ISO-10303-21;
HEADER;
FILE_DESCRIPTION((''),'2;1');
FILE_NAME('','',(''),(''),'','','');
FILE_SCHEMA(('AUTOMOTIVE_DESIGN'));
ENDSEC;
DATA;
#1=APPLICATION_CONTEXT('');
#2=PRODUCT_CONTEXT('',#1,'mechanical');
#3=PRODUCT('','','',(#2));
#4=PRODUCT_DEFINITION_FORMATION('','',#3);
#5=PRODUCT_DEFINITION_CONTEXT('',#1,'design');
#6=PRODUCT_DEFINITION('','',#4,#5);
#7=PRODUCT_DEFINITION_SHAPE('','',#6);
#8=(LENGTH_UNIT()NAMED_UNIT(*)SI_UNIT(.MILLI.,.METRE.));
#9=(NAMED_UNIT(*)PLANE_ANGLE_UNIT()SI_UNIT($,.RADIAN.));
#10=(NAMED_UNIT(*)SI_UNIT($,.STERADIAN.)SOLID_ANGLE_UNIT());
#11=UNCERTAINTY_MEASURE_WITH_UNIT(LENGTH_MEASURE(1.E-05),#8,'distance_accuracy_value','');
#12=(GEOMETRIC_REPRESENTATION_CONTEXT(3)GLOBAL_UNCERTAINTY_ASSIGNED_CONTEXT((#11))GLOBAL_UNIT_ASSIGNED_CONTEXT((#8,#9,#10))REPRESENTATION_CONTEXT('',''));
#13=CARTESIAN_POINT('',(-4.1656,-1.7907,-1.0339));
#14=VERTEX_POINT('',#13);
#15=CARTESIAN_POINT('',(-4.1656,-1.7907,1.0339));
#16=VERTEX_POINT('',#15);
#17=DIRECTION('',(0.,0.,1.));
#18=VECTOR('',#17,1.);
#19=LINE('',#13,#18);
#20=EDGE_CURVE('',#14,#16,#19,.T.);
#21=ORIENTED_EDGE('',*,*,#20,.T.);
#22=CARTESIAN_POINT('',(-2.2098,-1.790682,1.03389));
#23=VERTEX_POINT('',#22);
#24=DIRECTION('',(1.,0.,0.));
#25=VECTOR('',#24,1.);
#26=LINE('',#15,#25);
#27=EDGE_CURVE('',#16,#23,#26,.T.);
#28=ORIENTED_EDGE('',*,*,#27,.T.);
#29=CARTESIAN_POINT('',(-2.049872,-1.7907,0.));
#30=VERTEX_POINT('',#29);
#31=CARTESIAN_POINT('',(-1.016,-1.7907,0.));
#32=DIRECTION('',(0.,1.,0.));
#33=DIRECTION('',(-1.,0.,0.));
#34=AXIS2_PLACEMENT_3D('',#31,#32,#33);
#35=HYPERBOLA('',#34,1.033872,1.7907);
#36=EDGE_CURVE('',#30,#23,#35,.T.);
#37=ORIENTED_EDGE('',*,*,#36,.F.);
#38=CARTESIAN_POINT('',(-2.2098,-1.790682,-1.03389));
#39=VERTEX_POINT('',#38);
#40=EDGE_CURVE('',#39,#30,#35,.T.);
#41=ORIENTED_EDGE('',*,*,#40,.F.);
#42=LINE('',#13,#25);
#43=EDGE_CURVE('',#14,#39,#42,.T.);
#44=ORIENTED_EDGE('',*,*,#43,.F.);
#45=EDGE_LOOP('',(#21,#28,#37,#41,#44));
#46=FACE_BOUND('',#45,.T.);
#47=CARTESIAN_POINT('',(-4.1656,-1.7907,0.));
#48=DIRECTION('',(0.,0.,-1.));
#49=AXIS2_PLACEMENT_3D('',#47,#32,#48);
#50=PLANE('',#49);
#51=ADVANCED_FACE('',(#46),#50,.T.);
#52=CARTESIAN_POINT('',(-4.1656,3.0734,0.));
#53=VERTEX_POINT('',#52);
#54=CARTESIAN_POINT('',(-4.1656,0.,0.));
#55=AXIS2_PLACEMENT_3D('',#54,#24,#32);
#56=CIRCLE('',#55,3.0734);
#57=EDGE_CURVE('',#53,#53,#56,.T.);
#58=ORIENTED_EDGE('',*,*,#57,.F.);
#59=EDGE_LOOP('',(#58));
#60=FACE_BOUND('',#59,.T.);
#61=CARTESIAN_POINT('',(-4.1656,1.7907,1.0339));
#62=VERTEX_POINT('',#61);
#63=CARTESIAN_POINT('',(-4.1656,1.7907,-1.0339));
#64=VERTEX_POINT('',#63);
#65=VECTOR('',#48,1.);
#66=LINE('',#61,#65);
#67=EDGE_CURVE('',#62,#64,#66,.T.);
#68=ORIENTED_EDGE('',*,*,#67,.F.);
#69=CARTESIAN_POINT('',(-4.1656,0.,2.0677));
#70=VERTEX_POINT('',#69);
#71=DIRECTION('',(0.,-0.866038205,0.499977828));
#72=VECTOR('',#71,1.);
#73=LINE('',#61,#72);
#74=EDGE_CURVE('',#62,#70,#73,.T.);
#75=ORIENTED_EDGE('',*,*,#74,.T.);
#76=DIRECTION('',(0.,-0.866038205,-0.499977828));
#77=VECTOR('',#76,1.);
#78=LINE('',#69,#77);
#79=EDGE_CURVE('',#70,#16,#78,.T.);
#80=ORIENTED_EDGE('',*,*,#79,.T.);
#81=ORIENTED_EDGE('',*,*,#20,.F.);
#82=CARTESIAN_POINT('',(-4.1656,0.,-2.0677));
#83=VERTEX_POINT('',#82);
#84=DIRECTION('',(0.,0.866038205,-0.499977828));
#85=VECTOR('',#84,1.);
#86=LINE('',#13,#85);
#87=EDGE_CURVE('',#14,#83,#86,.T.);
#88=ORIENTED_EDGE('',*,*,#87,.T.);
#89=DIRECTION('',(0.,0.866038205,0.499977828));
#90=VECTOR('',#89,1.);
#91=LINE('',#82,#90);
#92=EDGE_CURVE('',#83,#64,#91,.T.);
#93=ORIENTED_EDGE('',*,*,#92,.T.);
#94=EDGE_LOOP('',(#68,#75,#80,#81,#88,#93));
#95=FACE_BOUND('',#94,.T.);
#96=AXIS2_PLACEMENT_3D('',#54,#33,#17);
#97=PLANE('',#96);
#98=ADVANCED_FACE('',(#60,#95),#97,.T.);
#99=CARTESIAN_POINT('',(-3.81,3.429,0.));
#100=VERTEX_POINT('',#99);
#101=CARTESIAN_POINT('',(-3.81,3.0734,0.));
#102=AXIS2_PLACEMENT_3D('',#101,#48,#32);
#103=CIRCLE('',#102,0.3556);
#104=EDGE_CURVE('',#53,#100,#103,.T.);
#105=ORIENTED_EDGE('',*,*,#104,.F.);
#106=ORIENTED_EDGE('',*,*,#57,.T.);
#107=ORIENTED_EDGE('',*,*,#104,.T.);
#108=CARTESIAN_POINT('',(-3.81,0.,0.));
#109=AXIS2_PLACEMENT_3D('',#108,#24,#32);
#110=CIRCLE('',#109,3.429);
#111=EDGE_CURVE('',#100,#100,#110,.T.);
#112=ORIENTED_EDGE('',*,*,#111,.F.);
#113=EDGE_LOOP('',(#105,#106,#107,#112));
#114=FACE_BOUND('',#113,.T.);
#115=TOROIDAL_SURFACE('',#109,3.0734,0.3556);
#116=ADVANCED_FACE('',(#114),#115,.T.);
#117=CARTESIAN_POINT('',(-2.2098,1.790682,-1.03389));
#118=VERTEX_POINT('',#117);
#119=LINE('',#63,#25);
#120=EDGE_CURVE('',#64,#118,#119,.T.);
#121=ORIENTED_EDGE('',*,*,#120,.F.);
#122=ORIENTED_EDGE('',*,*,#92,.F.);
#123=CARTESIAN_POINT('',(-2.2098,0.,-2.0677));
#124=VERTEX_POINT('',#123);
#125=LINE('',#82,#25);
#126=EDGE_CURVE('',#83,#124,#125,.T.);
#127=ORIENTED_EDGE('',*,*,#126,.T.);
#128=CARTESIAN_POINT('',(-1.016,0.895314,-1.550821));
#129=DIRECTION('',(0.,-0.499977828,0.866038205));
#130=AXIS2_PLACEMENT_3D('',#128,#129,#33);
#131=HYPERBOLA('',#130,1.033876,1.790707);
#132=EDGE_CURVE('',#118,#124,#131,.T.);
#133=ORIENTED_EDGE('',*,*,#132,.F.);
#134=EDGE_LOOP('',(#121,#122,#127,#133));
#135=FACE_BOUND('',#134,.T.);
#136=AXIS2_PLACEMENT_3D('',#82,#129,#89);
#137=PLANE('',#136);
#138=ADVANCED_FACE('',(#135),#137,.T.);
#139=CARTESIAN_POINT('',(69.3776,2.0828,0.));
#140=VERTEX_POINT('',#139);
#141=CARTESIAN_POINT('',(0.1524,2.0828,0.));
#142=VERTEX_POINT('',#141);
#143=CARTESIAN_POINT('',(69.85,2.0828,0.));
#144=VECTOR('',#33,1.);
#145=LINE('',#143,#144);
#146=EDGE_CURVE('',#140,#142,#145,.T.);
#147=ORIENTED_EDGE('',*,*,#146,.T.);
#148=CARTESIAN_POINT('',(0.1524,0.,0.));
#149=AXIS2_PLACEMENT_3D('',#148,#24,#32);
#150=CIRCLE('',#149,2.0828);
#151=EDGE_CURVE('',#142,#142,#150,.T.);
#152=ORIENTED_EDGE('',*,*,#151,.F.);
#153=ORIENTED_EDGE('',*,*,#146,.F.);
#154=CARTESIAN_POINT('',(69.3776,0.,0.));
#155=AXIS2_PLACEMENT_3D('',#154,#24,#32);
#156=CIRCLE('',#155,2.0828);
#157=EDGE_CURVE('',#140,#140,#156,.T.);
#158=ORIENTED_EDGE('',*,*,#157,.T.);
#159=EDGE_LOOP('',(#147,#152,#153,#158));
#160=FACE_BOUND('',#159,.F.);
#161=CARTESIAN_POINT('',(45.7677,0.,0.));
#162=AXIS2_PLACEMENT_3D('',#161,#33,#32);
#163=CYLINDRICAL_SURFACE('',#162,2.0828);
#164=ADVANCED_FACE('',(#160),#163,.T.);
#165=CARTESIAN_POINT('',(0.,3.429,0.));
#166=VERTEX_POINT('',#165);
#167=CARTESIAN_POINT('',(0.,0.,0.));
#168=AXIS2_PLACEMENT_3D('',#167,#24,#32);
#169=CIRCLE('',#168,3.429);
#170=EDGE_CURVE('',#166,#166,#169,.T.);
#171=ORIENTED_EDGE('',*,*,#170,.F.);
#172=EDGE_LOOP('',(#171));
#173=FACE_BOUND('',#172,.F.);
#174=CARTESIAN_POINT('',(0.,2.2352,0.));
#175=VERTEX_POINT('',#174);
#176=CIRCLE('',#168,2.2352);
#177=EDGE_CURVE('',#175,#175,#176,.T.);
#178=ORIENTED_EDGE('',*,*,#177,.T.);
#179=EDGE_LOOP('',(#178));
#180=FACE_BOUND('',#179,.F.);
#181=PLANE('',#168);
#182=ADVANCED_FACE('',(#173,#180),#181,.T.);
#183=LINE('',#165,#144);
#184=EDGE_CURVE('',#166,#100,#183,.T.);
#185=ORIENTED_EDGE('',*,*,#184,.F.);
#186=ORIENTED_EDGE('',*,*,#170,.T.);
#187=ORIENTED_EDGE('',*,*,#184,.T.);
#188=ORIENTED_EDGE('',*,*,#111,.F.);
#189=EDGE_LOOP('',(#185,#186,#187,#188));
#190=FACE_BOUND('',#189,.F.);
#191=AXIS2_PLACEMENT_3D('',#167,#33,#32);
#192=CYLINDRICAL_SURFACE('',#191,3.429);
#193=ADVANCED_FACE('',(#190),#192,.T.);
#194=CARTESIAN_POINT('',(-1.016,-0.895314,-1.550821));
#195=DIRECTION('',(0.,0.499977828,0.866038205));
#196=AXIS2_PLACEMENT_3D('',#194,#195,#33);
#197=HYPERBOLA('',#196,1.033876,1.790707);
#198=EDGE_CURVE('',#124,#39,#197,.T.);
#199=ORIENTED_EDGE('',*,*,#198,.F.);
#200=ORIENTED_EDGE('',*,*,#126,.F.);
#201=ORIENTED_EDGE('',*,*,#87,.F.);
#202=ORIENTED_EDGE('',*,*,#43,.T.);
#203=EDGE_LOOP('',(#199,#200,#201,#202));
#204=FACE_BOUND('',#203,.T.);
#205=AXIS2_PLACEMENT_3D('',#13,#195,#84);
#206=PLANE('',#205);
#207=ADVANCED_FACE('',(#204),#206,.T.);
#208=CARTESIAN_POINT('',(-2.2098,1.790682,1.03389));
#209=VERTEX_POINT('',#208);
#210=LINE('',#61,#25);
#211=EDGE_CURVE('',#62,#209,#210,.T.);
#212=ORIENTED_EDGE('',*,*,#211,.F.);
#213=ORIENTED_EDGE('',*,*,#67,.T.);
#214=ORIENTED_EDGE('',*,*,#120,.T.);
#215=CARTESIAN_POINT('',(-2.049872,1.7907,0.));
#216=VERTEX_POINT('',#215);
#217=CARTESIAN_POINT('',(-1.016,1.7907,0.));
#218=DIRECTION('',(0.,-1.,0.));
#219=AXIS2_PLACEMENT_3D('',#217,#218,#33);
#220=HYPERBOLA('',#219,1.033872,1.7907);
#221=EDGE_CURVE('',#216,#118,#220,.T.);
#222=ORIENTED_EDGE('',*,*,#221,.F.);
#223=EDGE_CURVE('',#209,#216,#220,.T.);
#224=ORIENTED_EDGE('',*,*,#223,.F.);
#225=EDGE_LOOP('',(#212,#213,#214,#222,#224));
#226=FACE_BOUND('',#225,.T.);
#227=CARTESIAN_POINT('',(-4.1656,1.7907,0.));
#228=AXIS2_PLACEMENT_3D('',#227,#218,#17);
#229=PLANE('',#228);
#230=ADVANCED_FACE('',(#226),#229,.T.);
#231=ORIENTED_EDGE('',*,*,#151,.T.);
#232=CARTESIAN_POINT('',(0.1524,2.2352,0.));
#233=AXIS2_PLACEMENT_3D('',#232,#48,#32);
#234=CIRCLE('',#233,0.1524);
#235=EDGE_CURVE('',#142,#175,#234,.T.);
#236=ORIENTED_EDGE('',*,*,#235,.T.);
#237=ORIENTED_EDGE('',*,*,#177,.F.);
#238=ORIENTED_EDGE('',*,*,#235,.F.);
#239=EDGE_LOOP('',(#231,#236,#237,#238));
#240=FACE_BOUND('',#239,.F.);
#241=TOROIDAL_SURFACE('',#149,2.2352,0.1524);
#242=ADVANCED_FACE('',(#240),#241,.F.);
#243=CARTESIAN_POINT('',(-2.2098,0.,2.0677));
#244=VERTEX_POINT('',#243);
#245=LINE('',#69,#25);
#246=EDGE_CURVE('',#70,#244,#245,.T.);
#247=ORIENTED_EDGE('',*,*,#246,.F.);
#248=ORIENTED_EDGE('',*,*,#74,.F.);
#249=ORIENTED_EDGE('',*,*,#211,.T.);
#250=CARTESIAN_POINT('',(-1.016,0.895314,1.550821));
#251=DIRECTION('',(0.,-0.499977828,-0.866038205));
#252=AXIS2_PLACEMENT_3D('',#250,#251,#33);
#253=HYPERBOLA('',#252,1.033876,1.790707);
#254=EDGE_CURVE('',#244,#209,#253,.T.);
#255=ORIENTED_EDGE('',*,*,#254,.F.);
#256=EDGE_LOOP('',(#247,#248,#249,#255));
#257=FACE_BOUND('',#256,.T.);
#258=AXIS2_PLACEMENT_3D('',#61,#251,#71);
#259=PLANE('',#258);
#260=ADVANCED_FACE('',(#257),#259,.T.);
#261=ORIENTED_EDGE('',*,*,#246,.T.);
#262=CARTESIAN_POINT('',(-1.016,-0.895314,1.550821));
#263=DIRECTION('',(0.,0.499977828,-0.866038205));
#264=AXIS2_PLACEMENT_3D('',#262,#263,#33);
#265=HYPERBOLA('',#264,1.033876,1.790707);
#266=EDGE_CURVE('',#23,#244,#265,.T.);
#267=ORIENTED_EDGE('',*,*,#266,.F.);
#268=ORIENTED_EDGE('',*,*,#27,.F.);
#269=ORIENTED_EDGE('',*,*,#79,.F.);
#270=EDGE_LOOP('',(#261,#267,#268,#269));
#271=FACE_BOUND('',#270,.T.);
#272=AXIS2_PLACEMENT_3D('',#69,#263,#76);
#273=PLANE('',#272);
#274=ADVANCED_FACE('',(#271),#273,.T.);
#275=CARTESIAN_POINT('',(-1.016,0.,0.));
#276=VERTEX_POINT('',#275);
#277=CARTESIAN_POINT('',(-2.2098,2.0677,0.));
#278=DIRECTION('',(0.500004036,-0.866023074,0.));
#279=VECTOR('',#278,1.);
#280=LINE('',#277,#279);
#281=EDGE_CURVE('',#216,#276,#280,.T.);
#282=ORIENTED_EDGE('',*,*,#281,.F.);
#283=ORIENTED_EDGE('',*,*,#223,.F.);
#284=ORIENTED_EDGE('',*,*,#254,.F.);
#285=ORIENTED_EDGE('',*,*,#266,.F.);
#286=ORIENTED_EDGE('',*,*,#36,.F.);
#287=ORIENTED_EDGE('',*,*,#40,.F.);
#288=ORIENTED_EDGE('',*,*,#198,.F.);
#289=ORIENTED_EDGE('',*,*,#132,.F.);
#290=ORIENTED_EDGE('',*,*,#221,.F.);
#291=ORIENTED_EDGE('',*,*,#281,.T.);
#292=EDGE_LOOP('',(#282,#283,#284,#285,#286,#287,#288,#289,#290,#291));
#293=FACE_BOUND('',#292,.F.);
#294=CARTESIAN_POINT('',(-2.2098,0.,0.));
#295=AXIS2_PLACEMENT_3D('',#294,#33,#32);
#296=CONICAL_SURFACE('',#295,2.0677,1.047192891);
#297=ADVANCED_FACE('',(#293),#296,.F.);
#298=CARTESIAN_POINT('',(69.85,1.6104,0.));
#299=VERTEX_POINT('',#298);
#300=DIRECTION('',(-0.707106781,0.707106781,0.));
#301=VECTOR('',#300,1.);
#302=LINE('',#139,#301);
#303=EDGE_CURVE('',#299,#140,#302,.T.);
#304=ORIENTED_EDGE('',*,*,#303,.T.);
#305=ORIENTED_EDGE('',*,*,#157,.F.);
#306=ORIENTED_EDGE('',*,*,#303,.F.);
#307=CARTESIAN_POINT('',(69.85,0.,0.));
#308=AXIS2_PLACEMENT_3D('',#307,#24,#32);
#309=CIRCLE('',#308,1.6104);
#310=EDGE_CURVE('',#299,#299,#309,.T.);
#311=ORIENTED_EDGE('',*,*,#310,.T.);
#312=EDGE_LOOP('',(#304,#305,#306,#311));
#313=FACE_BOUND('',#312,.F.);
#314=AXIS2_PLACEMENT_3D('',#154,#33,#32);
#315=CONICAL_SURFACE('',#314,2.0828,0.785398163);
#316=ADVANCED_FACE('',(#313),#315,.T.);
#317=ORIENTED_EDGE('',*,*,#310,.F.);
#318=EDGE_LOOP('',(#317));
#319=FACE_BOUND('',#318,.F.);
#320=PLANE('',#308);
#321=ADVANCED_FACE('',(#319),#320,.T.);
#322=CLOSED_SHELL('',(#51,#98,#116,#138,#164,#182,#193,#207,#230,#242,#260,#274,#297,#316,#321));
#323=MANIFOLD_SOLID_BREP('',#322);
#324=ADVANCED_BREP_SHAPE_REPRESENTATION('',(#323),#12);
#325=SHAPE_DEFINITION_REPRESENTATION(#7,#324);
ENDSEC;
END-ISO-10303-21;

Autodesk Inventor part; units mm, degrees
ref_plane "YZ Plane" through (0, 0, 0) normal (1, 0, 0) x (0, 1, 0)
ref_plane "XZ Plane" through (0, 0, 0) normal (0, 1, 0) x (-1, 0, 0)
sketch "Sketch1" plane through (0, 0, 0) normal (0, 0, 1) x (1, 0, 0)
  line L0 (-1.016, 0) -> (69.85, 0)
  line L1 (69.85, 0) -> (69.85, 2.0828)
  line L2 (69.85, 2.0828) -> (47.752, 2.0828)
  line L3 (47.752, 2.0828) -> (45.7677, 2.0828)
  line L4 (45.7677, 2.0828) -> (0, 2.0828)
  line L5 (0, 2.0828) -> (0, 3.429)
  line L6 (0, 3.429) -> (-4.1656, 3.429)
  line L7 (-4.1656, 3.429) -> (-4.1656, 2.0677)
  line L8 (-4.1656, 2.0677) -> (-2.2098, 2.0677)
  line L9 (-2.2098, 2.0677) -> (-1.016, 0)
  line L10 (-18.9687, 0) -> (84.6531, 0) projected
  line L11 (0, -0.6858) -> (0, 4.1148) projected
  line L12 (47.752, 2.0828) -> (0, 2.0828) construction
  dimension "d1" = 22.098
  dimension "d2" = 1.9844
  dimension "d3" = 4.1656
  dimension "d4" = 1.9558
  dimension "d5" = 60
  dimension "d6" = 4.1656
  dimension "d7" = 4.1656
  dimension "d8" = 4.1354
  dimension "d9" = 6.858
  dimension "d26" = 69.85
revolve "Body" add sketch "Sketch1" angle 360 about axis through (-1.016, 0, 0) along (1, 0, 0)
sketch "Sketch2" plane through (-4.1656, 0, 0) normal (-1, 0, 0) x (0, 0, 1)
  circle A0 centre (0, 0) radius 2.0677 projected
  line L0 (0, -4.8006) -> (0, 4.8006) projected
  line L1 (-4.8006, 0) -> (4.8006, 0) projected
  line L2 (2.0677, 0) -> (1.0339, -1.7907)
  line L3 (1.0339, -1.7907) -> (-1.0339, -1.7907)
  line L4 (-1.0339, -1.7907) -> (-2.0677, 0)
  line L5 (-2.0677, 0) -> (-1.0339, 1.7907)
  line L6 (-1.0339, 1.7907) -> (1.0339, 1.7907)
  line L7 (1.0339, 1.7907) -> (2.0677, 0)
extrude "Slot" add sketch "Sketch2" against normal up to next contours L7 A0 | A0 L2 | L6 L0 A0 | A0 L0 L3 | L0 L6 A0 | A0 L3 L0 | L4 A0 | A0 L5
fillet "Fillet1" radius 0.3556 1 edges at (-4.1656, -3.429, 0)
thread "Thread" size "8-32 UNC" class "2A" standard "ANSI Unified Screw Threads" length 22.098
chamfer "Chamfer1" distance 0.4724 distance2 0.4724 1 edges at (69.85, -2.0828, 0) measured on face at (69.85, -0.8304, -0.8002)
ref_plane "Work Plane1" through (29, 0, 0) normal (0, -1, 0) x (1, 0, 0)
fillet "Fillet2" radius 0.1524 1 edges at (0, -2.0828, 0)
equation "\"d1\" = GEL"
equation "\"d3\" = KOH"
equation "\"d4\" = INTI"
equation "\"d6\" = GD"
equation "\"d7\" = BDM"
equation "\"d8\" = 1.1547 * SW"
equation "\"d9\" = KOD"
equation "\"d26\" = NLG"
equation "\"d30\" = R"
equation "\"d17\" = RR"
equation "\"d13\" = GEL"
equation "\"d15\" = -0.5 * SPD + 0.5 * GD"
equation "\"d16\" = GUL"
equation "\"GD\" = 4.1656"
equation "\"NLG\" = 69.85"
equation "\"GEL\" = 22.098"
equation "\"KOD\" = 6.858"
equation "\"KOH\" = 4.1656"
equation "\"INTI\" = 1.9558"
equation "\"GAL\" = 1.98425"
equation "\"GUL\" = 0.47244"
equation "\"BDM\" = 4.1656"
equation "\"SW\" = 3.5814"
equation "\"RR\" = 0.3556"
equation "\"SPD\" = 3.22072"
equation "\"R\" = 0.1524"
equation "\"PHH\" = 0.127"
equation "\"GD1\" = SPD"
equation "\"THREADDIA\" = 4.1656"
equation "\"FAWI\" = 45deg"
equation "\"KOH1\" = 3.7592"
equation "\"NND\" = 4.1656"
equation "\"TOA\" = 30deg"
equation "\"E0\" = 1.155 * SW"
properties part number "ANSI B18.3 - No. 8 - 32 UNC - 2 3/4 HS HCS" material "Steel, Mild"
